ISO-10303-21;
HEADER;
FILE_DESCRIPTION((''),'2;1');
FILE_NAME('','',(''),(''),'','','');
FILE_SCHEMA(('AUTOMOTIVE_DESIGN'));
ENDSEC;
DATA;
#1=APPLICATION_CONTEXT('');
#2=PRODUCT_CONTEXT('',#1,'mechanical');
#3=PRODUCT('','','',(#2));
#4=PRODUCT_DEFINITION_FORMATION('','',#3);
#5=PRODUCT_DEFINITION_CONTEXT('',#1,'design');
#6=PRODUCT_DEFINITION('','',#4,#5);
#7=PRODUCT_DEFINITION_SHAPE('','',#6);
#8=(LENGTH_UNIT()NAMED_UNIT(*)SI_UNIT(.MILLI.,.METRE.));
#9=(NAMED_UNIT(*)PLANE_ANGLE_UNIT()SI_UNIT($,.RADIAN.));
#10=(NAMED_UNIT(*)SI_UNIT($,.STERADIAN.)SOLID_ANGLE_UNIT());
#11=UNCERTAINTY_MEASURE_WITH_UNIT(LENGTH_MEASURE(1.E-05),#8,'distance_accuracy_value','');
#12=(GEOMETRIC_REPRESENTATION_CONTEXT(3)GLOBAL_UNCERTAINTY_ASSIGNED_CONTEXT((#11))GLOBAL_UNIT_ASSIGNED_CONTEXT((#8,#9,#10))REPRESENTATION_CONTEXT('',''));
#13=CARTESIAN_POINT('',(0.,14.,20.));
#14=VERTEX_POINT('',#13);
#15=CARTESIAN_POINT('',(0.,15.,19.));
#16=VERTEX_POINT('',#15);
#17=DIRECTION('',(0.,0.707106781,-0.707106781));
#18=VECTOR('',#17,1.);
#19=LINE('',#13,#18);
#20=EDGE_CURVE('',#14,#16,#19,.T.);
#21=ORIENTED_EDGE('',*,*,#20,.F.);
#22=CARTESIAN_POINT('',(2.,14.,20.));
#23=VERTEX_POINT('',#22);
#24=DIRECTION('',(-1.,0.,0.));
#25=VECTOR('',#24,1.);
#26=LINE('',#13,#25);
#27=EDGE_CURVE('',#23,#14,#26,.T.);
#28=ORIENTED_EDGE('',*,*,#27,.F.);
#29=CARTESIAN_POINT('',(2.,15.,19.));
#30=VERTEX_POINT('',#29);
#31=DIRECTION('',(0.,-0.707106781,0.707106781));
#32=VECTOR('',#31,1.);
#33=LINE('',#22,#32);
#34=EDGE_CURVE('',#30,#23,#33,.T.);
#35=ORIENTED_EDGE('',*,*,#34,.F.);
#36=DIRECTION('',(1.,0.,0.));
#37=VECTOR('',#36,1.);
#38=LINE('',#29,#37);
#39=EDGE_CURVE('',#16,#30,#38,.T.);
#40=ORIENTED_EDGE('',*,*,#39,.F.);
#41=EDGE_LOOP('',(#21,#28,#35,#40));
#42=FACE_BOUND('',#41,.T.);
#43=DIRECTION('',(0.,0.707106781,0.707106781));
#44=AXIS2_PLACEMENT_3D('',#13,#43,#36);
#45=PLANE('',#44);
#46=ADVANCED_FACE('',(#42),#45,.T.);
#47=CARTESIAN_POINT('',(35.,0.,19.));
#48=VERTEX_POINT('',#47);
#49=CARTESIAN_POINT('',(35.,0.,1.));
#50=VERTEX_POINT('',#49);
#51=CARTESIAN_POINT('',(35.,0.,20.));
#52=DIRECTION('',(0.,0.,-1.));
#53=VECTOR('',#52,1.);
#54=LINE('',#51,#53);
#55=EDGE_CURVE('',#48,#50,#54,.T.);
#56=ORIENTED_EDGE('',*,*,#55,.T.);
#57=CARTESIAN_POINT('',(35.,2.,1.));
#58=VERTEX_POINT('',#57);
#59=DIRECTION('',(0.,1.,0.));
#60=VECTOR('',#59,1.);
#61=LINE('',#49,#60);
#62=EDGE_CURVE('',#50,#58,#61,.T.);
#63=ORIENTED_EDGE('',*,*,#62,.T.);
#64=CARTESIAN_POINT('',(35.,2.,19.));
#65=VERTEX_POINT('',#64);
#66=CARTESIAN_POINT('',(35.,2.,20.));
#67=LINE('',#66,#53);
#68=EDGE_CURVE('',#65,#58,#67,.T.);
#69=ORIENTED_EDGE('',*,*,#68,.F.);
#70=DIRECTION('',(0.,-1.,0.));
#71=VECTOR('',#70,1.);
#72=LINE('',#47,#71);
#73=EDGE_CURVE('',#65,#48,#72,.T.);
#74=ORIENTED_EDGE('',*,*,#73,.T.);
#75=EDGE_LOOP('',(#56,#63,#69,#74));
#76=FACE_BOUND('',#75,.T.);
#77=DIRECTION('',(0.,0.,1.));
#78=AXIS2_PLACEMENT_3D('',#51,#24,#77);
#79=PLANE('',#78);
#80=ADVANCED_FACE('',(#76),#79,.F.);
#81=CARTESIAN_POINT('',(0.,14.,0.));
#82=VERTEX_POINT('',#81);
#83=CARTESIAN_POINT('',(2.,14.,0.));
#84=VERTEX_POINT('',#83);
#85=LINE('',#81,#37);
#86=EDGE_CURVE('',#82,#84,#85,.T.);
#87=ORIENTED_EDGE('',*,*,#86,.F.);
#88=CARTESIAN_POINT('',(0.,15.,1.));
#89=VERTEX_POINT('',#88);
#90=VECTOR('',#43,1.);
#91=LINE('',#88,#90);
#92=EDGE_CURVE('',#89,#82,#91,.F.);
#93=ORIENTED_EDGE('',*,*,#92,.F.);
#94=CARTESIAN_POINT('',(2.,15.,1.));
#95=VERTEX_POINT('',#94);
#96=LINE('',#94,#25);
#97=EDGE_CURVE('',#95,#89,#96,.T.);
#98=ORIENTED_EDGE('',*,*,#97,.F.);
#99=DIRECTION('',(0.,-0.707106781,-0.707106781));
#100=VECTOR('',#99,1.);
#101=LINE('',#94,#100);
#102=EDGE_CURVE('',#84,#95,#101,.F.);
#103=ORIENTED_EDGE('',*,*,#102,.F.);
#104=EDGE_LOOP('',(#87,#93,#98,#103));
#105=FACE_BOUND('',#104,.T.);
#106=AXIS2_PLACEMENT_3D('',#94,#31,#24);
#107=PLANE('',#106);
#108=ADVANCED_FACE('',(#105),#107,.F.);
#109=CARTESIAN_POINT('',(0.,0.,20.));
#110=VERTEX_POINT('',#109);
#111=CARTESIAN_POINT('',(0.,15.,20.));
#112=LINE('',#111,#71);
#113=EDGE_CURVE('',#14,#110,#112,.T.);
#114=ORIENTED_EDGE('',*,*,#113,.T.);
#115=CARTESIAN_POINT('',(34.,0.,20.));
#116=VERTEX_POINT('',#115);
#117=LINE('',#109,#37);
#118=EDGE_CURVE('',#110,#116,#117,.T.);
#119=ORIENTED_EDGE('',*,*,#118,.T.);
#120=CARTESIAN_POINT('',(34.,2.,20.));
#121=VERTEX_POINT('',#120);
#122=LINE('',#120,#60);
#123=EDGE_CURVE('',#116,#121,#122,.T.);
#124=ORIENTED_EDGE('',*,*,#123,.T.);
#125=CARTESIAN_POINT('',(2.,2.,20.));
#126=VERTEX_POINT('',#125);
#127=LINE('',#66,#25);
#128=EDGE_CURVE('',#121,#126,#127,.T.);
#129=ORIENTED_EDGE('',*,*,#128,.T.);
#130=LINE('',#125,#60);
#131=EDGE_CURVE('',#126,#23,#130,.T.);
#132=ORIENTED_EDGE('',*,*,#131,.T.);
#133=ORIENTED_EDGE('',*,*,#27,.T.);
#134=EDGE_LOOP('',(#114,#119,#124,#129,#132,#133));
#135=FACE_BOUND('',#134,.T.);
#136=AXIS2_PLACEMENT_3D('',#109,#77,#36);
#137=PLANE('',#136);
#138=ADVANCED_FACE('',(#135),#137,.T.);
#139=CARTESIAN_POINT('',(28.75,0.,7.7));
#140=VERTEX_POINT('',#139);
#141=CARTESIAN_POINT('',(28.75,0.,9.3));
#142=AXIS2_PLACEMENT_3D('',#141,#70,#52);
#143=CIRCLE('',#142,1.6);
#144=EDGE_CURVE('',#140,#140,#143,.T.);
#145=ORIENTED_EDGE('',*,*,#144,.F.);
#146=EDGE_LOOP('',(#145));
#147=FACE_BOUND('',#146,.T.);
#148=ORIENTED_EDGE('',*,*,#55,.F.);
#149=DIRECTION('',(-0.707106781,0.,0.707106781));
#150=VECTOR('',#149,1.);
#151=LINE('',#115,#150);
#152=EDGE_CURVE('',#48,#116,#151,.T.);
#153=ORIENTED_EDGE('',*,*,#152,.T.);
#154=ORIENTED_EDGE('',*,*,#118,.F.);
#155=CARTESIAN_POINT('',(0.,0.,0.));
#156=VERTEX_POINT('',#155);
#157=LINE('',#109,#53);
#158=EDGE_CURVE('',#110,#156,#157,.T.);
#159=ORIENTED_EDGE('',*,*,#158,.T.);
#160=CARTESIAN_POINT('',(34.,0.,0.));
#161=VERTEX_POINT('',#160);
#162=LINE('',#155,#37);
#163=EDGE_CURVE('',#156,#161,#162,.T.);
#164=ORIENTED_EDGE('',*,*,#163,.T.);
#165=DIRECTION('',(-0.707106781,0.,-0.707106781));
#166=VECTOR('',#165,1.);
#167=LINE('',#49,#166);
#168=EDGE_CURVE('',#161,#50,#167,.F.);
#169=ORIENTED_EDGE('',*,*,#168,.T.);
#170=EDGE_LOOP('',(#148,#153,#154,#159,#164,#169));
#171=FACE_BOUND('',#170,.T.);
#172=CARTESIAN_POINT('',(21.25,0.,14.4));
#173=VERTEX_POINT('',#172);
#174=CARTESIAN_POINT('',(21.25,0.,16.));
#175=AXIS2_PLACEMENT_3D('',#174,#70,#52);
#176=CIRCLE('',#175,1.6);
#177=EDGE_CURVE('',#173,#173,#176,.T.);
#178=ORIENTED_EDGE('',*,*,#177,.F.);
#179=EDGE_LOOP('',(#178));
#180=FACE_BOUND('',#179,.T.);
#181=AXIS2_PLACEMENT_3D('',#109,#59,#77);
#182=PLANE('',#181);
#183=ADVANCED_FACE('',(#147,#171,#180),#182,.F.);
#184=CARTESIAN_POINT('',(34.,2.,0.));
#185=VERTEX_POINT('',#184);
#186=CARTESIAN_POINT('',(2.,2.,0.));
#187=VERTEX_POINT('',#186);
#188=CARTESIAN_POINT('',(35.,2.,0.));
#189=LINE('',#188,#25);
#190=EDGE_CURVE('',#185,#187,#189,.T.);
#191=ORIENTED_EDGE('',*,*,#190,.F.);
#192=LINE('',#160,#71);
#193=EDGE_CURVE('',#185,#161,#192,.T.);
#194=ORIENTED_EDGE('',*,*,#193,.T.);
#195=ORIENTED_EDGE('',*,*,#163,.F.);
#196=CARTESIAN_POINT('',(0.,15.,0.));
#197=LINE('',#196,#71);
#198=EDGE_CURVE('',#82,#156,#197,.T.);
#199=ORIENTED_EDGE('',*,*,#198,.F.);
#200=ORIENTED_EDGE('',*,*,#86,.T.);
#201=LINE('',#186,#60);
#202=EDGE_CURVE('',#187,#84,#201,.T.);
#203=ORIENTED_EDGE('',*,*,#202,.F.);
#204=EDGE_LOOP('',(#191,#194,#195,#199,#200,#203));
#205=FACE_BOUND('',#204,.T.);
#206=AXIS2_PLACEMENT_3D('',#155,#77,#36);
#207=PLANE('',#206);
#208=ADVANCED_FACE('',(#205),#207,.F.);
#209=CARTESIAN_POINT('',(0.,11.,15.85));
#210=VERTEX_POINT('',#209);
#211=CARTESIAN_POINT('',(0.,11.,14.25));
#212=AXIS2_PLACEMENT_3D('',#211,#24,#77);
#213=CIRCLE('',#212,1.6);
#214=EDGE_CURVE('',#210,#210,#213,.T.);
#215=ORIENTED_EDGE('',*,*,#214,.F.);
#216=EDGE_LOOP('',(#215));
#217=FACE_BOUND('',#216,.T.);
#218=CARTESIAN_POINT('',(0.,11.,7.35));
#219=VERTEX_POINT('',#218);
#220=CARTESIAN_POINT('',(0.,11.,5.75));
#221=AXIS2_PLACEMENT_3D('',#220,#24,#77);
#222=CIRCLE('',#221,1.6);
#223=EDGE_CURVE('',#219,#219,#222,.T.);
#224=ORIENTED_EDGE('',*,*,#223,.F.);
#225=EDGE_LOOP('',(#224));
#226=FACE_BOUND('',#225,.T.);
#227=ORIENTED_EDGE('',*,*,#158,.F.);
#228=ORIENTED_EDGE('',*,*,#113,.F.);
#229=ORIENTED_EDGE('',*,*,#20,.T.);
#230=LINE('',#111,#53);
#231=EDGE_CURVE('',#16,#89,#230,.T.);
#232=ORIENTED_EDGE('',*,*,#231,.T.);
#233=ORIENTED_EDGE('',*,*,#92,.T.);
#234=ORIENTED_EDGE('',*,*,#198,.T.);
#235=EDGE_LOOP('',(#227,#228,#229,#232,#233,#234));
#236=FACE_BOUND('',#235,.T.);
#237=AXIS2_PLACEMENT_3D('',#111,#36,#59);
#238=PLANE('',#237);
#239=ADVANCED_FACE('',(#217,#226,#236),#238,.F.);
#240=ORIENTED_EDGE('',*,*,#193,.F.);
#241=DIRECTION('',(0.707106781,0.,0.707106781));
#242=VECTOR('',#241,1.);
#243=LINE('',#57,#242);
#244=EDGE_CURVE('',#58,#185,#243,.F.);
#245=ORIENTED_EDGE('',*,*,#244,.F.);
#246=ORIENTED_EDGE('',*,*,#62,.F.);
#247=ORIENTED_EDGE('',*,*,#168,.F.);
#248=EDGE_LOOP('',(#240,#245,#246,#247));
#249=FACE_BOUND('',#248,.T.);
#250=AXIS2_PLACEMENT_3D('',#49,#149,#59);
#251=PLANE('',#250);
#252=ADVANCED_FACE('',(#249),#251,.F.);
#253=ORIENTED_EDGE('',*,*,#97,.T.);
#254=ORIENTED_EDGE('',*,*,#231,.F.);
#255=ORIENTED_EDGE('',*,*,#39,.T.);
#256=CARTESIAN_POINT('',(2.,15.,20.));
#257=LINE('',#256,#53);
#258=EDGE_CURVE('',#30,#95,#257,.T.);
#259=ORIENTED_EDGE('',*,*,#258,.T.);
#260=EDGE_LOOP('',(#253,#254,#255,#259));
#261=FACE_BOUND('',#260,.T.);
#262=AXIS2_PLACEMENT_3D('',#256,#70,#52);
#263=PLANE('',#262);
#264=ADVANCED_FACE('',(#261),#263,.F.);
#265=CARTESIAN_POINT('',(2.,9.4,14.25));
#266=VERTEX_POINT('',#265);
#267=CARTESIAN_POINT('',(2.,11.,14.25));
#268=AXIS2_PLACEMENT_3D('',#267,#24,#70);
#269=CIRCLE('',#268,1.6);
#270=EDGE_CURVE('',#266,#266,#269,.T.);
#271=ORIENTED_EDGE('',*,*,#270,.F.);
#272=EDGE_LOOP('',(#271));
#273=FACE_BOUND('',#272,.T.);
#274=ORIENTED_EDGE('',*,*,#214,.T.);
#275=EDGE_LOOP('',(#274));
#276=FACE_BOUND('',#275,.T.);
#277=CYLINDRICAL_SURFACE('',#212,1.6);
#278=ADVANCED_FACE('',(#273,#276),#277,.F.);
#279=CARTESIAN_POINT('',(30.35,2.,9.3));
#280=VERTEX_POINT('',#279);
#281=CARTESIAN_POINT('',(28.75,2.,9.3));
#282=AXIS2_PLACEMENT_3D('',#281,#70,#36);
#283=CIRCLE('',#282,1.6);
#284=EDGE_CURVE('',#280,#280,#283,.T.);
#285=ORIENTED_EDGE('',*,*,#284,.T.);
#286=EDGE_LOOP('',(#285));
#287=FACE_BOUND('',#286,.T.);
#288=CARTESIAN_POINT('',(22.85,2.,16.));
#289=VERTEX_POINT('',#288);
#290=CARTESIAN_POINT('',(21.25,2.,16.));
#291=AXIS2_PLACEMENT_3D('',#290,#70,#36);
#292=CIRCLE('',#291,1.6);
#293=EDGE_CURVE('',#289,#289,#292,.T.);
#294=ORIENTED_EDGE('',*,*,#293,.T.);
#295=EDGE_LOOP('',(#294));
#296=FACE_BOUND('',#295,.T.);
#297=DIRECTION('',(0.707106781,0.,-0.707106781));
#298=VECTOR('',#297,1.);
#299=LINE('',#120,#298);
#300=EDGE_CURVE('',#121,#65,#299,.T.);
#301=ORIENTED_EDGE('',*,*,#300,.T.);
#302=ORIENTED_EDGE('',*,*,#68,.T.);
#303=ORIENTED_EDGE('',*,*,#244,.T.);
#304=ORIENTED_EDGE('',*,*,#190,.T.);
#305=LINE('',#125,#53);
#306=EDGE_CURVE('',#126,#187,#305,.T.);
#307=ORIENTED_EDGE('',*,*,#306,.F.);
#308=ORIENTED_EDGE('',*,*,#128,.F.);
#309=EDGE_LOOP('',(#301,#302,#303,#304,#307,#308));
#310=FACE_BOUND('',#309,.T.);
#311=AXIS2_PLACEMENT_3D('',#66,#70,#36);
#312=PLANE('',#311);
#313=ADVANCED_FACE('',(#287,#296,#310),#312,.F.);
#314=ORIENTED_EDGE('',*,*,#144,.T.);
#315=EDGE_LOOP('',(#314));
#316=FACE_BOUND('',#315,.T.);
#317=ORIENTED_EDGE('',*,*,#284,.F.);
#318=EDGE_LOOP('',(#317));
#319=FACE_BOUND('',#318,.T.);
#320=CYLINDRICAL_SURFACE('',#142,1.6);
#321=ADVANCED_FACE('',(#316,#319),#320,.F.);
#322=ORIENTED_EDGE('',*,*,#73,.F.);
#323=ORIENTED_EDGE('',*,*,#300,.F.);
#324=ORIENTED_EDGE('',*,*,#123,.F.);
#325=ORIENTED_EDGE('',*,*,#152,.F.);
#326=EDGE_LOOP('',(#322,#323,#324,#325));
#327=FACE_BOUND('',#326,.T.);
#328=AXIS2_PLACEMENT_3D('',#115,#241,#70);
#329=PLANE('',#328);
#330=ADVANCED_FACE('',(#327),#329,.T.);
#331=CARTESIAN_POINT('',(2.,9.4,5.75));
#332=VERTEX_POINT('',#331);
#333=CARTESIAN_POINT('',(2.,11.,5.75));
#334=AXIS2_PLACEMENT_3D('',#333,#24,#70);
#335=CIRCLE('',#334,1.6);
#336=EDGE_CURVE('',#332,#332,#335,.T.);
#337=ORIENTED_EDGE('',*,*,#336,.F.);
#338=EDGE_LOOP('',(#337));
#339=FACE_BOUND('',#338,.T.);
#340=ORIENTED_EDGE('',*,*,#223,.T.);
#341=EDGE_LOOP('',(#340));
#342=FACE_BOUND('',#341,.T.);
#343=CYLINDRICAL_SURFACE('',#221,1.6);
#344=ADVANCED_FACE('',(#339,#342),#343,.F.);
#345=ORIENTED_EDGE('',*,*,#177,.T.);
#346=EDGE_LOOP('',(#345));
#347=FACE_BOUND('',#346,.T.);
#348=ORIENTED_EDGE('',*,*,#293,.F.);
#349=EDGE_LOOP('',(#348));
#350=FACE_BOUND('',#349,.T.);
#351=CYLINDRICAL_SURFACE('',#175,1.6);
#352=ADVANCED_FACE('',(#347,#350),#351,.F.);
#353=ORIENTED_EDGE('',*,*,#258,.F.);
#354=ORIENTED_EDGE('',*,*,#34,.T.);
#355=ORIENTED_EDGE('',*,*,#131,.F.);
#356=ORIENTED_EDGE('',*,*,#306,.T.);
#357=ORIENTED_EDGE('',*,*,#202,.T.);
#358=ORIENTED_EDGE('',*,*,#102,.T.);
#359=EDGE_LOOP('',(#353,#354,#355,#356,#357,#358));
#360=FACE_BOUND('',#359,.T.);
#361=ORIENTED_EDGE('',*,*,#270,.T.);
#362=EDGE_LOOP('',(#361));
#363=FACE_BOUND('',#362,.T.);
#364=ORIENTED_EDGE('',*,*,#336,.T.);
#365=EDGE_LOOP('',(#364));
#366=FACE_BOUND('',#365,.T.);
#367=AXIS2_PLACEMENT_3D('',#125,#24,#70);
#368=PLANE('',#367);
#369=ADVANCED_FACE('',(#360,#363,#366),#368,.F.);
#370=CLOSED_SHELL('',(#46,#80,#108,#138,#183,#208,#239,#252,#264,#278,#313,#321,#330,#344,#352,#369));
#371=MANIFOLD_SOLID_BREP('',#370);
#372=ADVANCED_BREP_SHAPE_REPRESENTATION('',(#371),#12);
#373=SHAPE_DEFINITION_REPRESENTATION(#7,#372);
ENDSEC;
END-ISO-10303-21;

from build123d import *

# Parameters (mm, degrees)
BASE_DEPTH                 = 20
CHAMFER1_SIZE              = 1
F_3_2_3_2_MOUNTSIDE_D      = 3.2
F_3_2_3_2_CABLECHAINSIDE_D = 3.2


with BuildPart() as part:
    # Sketch1 → Base (new body)
    with BuildSketch(Plane.XY):
        Polygon((0, 0), (35, 0), (35, 2), (2, 2), (2, 15), (0, 15), align=None)
    extrude(amount=BASE_DEPTH)

    # Chamfer1
    chamfer1_edges = [part.edges().sort_by_distance(p)[0] for p in [
        (35, 1, 20),
        (1, 15, 20),
        (1, 15, 0),
        (35, 1, 0),
    ]]
    chamfer(chamfer1_edges, length=CHAMFER1_SIZE)

    # Ø3.2 (3.2) MountSide (through all)
    with Locations(Plane.ZY):
        with Locations((5.75, 11), (14.25, 11)):
            Hole(F_3_2_3_2_MOUNTSIDE_D / 2)

    # Ø3.2 (3.2) CableChainSide (through all)
    with Locations(Plane(origin=(0, 0, 0), x_dir=(-1, 0, 0), z_dir=(0, -1, 0))):
        with Locations((-28.75, -9.3), (-21.25, -16)):
            Hole(F_3_2_3_2_CABLECHAINSIDE_D / 2)


solid = part.part
